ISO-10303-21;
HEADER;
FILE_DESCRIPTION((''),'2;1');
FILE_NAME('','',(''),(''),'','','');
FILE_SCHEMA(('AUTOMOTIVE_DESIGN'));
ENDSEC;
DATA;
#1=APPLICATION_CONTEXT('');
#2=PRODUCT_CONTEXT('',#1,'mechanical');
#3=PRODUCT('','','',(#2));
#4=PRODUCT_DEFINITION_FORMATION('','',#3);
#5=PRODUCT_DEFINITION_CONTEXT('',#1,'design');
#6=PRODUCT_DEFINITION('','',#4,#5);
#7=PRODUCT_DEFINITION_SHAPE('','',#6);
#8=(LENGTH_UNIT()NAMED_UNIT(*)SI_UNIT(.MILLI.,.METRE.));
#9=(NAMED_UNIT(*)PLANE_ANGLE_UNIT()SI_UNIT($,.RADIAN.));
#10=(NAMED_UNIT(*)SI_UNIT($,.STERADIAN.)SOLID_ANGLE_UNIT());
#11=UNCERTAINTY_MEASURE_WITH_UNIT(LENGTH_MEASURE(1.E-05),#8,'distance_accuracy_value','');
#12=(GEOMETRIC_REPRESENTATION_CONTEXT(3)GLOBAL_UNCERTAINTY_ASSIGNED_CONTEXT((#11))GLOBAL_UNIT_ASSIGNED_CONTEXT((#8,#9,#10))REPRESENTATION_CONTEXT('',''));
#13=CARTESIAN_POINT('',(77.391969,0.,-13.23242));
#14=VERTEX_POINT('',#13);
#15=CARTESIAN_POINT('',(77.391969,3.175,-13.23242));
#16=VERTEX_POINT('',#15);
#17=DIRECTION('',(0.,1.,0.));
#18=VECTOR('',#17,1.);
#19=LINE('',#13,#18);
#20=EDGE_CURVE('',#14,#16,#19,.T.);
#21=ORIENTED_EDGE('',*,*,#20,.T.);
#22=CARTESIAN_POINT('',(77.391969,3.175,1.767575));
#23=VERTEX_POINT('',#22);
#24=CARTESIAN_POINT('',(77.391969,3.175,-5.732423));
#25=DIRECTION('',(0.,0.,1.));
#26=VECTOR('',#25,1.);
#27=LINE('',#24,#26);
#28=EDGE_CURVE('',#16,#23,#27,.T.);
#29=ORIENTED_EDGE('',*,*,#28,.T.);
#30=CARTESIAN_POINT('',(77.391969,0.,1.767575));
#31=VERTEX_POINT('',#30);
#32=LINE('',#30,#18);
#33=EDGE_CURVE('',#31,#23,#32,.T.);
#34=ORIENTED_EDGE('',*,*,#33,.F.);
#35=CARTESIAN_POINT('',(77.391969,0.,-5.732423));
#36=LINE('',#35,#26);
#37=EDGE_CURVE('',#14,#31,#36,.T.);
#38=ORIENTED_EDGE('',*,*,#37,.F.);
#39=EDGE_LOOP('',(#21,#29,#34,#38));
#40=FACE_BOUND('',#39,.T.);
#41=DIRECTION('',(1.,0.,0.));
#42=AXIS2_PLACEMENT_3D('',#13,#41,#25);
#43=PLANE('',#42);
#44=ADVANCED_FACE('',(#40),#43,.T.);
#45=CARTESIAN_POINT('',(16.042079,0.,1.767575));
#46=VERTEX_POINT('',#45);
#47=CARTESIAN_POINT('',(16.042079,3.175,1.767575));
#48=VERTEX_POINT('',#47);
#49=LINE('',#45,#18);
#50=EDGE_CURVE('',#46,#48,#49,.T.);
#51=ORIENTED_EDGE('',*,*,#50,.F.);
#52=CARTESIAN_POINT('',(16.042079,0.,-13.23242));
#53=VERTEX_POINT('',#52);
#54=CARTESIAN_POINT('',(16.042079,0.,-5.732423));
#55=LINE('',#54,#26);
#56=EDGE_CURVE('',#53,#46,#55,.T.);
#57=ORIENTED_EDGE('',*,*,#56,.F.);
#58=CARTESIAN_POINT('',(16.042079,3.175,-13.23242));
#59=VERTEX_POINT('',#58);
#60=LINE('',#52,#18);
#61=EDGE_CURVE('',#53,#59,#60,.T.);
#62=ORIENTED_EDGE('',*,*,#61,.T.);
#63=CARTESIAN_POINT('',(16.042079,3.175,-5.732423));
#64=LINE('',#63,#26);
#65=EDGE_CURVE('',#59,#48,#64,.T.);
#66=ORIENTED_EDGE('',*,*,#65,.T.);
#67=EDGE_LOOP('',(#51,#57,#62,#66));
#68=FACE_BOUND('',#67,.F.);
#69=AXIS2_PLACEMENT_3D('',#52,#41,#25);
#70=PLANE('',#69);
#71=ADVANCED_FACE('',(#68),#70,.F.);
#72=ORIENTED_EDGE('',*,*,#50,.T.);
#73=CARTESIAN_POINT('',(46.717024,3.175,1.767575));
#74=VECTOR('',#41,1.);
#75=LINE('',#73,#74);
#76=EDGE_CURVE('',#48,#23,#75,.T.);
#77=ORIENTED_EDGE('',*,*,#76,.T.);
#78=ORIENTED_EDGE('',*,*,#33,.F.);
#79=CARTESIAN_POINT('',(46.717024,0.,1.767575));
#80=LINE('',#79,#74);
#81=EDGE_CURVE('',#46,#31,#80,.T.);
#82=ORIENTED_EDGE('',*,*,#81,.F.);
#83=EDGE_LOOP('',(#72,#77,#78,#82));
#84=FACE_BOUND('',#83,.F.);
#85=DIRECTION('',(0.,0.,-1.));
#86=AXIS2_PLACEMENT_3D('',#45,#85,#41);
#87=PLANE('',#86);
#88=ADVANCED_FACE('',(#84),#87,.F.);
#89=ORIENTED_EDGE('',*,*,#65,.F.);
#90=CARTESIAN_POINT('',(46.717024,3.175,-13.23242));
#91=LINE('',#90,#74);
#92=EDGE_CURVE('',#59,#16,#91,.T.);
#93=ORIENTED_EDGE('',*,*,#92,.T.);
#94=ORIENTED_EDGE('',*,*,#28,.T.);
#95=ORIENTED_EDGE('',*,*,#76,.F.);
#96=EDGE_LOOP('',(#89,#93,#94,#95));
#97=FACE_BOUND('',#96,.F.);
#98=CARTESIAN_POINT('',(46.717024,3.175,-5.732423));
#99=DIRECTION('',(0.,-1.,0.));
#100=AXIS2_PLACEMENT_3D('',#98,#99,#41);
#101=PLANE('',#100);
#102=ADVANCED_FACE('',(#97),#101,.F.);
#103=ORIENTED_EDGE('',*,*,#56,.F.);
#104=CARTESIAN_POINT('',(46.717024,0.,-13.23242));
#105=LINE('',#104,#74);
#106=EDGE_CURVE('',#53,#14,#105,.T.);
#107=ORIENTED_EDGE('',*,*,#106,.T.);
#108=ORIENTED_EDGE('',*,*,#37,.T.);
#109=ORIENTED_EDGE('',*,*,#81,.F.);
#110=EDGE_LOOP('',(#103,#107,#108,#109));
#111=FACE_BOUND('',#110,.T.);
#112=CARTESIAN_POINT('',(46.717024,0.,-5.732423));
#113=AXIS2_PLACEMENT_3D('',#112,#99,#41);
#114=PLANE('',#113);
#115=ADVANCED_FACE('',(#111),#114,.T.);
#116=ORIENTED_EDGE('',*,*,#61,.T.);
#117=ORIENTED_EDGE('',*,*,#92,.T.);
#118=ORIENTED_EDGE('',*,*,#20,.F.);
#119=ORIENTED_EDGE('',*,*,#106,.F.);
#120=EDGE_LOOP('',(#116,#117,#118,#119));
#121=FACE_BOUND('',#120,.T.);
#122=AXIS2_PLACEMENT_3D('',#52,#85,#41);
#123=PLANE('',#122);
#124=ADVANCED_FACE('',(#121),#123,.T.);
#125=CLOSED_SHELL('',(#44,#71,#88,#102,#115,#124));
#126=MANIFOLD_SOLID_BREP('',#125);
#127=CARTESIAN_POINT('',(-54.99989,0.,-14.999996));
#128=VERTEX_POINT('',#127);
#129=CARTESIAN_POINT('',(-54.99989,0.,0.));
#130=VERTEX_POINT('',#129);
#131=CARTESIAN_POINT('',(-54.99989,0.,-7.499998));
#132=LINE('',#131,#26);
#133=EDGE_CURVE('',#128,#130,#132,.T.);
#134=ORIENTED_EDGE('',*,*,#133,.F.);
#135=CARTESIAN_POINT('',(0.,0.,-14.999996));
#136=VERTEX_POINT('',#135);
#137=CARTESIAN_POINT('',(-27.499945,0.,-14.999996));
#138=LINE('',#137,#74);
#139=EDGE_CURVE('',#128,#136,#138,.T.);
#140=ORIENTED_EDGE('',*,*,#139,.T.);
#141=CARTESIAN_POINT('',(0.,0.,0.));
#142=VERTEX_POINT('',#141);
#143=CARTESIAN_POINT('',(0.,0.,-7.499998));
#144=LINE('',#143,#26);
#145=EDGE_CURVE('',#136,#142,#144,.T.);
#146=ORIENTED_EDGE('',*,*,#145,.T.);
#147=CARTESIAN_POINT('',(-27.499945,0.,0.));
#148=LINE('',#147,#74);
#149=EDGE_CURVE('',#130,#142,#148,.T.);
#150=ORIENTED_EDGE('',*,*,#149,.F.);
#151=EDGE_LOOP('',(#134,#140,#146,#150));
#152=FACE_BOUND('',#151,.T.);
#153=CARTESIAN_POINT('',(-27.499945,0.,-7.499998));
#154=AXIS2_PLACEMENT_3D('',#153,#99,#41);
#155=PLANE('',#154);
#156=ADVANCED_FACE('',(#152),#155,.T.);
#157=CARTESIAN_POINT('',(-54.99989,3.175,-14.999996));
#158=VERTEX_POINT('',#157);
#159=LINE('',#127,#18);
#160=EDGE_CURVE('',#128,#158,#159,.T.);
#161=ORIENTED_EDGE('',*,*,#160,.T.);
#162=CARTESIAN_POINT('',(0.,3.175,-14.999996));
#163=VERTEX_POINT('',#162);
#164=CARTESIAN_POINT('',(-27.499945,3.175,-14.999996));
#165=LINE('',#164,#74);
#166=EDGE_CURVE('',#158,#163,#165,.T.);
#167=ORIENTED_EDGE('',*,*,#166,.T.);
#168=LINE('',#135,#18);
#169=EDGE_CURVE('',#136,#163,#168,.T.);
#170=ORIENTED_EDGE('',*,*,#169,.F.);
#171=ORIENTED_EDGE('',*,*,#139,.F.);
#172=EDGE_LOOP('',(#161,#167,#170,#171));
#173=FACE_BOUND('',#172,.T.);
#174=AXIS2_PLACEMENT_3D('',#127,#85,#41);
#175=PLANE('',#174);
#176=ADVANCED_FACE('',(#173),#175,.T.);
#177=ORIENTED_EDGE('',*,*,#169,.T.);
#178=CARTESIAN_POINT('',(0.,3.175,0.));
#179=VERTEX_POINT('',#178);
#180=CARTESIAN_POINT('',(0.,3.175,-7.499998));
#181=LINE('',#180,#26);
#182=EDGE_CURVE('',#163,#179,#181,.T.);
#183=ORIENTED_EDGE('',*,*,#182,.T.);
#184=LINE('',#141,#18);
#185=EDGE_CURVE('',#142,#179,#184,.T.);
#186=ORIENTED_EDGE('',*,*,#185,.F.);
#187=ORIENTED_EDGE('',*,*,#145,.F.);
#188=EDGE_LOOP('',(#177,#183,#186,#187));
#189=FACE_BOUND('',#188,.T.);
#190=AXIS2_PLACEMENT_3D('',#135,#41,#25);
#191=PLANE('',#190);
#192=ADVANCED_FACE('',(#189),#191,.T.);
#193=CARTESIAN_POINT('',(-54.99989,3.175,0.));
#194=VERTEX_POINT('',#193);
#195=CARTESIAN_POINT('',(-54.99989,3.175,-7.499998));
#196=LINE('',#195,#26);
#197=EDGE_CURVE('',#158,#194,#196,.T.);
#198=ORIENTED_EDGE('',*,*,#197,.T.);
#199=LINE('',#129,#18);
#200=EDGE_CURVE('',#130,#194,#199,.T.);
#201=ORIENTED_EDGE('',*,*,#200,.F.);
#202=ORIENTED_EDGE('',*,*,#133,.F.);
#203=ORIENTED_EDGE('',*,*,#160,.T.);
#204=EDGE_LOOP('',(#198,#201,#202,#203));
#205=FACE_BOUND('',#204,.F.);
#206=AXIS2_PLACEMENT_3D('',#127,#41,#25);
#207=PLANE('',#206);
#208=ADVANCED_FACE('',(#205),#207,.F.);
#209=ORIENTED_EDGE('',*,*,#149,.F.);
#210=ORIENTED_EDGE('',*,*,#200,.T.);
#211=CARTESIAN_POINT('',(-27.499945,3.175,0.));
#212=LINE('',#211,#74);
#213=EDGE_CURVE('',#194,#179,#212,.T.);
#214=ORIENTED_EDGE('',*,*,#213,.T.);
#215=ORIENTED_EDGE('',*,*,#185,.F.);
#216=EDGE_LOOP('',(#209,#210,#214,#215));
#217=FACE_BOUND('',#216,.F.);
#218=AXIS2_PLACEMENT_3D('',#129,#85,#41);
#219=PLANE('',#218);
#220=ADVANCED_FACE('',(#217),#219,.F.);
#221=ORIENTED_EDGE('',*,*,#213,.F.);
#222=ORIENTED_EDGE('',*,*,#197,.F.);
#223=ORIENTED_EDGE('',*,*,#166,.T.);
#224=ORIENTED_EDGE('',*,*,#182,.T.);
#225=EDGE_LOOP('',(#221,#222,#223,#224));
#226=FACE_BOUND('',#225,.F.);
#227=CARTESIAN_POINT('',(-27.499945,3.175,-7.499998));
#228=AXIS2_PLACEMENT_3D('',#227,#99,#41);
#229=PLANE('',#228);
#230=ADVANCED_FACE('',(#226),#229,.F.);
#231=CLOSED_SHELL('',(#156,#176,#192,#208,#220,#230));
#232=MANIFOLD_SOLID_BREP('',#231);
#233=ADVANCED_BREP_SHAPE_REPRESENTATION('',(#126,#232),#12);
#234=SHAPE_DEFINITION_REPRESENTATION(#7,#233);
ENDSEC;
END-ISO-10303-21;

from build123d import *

# Parameters (mm, degrees)
F0_W     = 54.99989
F0_H     = 14.999995
F0_W_2   = 61.34989
F1_DEPTH = 3.175


with BuildPart() as f1:
    # F0 (on Front) → F1 (new body)
    with BuildSketch(Plane.XZ):
        with Locations((-27.499945, -7.499998)):
            Rectangle(F0_W, F0_H)
        with Locations((46.717024, -5.732423)):
            Rectangle(F0_W_2, F0_H)
    extrude(amount=-F1_DEPTH)


solid = f1.part
